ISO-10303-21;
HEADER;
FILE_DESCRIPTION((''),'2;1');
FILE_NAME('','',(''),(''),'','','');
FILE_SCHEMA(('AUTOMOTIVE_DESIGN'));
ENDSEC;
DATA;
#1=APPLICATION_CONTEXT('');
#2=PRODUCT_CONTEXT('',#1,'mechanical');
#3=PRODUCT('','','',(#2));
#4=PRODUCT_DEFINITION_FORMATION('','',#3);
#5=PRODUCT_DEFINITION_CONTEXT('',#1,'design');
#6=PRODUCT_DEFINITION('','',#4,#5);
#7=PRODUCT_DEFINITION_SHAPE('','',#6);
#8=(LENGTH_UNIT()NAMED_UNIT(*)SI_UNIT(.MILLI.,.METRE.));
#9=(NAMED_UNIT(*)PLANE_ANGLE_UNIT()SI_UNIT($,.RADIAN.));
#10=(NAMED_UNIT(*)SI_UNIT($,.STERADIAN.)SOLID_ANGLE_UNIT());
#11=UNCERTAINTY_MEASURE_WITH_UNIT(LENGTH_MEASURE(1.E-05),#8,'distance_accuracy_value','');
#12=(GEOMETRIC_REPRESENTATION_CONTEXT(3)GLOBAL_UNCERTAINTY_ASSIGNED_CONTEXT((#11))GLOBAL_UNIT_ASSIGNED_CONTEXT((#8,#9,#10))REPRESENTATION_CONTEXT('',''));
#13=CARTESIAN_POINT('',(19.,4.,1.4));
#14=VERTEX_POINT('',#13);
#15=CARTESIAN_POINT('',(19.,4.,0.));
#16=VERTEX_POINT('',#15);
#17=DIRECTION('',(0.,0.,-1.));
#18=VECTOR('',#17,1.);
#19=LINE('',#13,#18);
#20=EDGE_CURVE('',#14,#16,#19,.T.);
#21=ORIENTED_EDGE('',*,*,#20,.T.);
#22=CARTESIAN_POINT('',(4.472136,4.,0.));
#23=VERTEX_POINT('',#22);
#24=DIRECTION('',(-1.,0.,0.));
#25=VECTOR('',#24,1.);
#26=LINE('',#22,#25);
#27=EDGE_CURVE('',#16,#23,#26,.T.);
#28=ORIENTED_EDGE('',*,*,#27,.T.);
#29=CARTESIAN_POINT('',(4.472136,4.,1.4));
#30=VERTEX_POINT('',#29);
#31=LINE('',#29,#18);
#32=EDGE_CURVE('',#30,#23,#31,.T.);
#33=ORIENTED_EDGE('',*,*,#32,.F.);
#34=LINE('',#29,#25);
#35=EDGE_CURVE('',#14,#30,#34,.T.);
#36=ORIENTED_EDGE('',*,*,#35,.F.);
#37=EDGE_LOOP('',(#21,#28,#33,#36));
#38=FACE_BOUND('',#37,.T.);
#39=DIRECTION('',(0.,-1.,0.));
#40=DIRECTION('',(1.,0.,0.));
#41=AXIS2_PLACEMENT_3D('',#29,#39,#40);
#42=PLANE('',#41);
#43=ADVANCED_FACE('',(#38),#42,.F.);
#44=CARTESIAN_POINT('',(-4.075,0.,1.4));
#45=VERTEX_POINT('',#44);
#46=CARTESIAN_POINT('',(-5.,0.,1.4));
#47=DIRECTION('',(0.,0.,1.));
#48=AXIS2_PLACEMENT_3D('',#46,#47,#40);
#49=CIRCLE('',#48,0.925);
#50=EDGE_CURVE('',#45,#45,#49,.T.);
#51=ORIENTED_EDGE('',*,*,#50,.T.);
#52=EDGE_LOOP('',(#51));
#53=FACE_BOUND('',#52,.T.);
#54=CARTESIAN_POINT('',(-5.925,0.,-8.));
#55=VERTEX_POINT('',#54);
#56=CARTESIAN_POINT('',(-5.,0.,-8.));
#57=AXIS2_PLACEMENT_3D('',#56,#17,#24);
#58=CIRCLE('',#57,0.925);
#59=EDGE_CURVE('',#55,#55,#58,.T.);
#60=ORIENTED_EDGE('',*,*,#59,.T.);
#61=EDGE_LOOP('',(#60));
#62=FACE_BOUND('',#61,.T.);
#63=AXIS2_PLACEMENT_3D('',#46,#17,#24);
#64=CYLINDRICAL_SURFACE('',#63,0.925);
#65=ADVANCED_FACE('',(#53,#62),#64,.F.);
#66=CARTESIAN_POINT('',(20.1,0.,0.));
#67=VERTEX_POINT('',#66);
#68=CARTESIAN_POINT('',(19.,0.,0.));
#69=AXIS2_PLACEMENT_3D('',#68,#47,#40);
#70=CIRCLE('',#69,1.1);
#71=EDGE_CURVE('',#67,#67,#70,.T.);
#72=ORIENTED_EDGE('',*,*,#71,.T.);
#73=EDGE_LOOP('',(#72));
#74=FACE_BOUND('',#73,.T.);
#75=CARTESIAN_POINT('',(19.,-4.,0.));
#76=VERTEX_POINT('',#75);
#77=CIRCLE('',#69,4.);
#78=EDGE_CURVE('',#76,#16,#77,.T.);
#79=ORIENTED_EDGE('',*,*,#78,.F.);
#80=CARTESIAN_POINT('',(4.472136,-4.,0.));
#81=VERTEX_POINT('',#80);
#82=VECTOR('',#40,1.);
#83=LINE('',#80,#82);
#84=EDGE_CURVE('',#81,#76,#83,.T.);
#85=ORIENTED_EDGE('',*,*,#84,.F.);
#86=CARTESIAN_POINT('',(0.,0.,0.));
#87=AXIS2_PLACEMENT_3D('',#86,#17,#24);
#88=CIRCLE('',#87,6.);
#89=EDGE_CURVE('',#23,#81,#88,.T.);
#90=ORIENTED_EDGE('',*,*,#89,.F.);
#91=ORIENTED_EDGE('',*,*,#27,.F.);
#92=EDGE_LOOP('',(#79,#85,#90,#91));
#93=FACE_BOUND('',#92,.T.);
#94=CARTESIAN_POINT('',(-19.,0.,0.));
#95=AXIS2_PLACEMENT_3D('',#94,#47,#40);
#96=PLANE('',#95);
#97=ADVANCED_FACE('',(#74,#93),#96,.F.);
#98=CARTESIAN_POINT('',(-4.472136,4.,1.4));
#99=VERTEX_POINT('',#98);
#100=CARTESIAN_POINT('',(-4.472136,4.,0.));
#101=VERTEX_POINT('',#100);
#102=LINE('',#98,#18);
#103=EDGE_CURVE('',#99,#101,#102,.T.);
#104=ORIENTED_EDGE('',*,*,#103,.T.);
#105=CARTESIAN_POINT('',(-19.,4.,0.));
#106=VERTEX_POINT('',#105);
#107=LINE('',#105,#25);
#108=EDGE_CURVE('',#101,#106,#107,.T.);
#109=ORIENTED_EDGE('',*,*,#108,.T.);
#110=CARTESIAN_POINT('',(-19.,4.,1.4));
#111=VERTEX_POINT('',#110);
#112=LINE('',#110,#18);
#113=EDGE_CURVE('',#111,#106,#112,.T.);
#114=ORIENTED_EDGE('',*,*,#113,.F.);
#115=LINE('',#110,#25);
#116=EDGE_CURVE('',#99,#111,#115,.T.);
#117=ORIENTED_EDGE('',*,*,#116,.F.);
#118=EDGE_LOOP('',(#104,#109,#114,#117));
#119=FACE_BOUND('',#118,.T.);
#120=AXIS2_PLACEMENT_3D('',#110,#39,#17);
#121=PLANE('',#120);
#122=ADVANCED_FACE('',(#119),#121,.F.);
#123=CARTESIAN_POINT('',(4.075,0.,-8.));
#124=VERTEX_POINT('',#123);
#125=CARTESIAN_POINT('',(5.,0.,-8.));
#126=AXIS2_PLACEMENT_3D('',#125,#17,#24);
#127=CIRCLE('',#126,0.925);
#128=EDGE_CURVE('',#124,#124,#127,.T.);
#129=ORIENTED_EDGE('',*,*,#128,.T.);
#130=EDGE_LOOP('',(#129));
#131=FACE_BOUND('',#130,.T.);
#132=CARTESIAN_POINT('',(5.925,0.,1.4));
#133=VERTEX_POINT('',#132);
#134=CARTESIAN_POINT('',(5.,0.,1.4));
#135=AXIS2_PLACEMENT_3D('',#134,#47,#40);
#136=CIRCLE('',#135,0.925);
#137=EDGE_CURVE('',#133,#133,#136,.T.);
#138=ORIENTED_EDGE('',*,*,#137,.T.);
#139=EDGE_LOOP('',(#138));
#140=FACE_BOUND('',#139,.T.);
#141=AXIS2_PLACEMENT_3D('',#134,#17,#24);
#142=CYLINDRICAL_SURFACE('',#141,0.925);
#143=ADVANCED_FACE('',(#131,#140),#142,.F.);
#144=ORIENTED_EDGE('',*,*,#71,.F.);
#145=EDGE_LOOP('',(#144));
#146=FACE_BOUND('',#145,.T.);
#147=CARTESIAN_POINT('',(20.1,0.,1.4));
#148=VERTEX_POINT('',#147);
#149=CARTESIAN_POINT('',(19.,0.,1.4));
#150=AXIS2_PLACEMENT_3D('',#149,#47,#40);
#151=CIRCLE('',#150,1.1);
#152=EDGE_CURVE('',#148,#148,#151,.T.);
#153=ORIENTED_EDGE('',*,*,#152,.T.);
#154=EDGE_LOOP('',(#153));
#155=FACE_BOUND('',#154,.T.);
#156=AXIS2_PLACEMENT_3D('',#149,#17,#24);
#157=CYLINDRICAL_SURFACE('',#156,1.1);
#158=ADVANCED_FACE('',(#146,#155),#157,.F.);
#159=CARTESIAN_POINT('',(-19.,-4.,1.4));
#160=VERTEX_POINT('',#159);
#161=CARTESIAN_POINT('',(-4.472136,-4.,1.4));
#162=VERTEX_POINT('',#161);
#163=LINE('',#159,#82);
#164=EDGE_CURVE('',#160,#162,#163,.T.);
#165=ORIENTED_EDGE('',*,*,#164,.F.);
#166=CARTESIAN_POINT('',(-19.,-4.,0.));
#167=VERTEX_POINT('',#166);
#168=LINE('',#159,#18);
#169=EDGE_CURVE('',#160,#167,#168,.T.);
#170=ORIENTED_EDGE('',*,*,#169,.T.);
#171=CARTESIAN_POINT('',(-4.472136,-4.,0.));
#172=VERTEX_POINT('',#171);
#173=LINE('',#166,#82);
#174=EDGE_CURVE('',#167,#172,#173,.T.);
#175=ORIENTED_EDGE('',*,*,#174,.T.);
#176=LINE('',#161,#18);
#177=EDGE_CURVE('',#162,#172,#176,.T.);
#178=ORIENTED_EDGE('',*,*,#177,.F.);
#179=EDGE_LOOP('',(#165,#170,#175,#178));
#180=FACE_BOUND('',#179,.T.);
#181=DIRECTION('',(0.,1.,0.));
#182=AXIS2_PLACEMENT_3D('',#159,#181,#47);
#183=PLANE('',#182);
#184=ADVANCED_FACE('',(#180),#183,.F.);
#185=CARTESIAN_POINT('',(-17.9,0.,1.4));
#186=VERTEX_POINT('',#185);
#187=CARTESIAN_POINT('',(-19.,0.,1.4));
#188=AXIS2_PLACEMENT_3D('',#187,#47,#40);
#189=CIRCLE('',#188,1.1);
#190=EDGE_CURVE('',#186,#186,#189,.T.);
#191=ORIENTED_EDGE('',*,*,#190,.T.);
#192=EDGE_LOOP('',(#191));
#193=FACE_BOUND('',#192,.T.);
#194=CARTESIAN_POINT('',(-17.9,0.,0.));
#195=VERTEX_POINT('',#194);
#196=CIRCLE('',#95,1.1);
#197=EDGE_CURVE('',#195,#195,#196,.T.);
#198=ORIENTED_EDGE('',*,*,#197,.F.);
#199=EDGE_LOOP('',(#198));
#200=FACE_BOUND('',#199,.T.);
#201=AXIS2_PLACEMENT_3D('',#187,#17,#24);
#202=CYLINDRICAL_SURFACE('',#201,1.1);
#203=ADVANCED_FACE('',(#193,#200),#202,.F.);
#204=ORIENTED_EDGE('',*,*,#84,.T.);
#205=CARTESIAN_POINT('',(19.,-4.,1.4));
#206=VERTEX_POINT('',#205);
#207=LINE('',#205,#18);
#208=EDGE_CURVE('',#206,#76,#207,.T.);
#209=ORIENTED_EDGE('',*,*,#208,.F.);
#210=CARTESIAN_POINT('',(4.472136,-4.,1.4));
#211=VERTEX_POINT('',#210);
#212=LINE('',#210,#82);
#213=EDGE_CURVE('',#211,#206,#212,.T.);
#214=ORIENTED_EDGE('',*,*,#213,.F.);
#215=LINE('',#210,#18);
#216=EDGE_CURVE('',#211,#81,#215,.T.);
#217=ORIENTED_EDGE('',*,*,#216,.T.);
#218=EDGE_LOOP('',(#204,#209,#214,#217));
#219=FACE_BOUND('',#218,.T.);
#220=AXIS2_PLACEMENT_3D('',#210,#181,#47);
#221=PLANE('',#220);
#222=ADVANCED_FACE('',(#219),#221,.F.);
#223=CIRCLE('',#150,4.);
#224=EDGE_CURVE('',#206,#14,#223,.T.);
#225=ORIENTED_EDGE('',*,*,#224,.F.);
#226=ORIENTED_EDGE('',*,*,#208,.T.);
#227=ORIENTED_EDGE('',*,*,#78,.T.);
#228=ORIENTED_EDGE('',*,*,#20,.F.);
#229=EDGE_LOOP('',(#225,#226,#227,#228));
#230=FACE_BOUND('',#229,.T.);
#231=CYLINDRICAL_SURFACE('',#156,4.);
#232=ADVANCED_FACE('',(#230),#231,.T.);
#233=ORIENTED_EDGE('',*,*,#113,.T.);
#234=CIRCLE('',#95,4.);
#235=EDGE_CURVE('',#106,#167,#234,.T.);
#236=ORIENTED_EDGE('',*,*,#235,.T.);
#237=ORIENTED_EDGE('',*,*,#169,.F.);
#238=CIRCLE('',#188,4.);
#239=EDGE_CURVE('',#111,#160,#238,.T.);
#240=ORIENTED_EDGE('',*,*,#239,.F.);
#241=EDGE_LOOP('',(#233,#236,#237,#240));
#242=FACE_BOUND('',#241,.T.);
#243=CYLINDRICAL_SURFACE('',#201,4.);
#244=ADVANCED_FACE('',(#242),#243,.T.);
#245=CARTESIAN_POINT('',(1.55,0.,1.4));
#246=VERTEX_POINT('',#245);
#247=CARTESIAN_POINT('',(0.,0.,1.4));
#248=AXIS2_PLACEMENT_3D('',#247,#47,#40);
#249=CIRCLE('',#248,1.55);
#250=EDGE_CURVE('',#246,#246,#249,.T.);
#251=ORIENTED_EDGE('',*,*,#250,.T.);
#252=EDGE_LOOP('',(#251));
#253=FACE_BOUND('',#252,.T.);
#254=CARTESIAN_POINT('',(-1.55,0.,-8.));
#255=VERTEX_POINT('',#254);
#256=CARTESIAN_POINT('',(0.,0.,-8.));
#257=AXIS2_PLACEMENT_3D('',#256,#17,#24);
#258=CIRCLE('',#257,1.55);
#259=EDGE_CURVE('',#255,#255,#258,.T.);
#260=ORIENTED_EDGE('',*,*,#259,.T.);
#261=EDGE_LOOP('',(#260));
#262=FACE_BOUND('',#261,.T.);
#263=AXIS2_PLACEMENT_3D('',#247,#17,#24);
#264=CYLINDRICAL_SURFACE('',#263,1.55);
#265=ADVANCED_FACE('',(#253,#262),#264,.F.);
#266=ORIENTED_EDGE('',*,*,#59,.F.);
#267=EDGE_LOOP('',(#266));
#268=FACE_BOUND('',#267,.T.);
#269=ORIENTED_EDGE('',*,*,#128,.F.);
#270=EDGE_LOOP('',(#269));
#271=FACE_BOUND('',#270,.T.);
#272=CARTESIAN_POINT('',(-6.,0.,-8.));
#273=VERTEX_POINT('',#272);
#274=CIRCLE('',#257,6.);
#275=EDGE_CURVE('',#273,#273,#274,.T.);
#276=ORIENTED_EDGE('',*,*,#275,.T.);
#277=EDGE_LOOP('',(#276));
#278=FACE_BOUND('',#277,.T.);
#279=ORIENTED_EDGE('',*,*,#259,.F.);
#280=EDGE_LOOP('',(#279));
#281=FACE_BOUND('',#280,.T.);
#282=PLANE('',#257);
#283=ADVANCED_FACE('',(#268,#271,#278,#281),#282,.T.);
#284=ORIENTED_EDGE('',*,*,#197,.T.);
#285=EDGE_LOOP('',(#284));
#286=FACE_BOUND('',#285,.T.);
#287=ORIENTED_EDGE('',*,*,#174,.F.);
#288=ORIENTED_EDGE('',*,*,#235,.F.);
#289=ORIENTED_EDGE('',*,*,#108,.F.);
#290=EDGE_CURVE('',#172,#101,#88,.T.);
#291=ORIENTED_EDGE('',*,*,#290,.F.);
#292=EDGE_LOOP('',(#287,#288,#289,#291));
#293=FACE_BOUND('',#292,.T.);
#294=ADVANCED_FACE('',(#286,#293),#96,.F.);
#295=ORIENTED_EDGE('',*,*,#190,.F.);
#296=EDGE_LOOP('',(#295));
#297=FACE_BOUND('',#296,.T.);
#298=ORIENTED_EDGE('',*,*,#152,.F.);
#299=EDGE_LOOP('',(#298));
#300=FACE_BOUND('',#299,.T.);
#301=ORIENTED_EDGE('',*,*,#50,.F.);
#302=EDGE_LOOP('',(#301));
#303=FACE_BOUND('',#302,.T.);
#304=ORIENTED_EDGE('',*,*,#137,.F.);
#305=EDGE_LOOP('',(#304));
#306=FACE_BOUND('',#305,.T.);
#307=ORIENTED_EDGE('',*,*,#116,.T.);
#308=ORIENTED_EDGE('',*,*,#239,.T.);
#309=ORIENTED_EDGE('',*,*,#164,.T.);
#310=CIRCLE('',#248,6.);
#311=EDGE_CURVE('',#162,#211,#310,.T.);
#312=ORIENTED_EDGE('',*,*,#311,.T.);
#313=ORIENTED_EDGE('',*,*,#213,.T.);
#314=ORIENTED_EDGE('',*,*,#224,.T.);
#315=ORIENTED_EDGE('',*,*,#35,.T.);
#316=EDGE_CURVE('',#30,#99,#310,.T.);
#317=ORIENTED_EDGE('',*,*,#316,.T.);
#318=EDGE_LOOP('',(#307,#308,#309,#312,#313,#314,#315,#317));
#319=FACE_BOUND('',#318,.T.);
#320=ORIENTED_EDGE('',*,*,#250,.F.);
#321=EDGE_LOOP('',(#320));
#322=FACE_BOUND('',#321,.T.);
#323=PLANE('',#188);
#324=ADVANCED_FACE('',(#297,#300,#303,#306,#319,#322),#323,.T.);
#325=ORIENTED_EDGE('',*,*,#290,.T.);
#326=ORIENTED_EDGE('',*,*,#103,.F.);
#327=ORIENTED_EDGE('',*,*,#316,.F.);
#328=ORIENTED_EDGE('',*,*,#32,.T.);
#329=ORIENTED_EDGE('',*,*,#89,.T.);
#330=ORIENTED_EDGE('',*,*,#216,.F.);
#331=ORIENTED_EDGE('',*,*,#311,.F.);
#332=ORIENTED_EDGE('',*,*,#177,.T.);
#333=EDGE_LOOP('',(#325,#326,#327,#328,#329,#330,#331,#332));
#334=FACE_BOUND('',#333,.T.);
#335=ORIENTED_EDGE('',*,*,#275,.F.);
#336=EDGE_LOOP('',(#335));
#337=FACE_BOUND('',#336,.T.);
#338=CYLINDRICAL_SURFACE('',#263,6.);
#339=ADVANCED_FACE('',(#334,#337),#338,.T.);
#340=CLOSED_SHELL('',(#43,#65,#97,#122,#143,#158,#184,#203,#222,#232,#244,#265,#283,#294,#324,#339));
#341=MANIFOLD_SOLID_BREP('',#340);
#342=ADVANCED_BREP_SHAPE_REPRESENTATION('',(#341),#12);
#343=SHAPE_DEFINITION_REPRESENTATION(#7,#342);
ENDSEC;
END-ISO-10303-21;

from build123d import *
from build123d.topology import SkipClean

# Parameters (mm, degrees)
SKETCH_1_R      = 1.55
SKETCH_1_R_2    = 1.1
SKETCH_1_R_3    = 0.925
EXTRUDE_1_DEPTH = 1.4
EXTRUDE_START   = 8
SKETCH_2_R      = 6
SKETCH_2_R_2    = 1.55
SKETCH_2_R_3    = 0.925
EXTRUDE_2_DEPTH = 8


with BuildPart() as part:
    # 草图1 → 凸台-拉伸1 (new body)
    with BuildSketch(Plane.XY):
        with BuildLine():
            Line((4.472135955, 4), (19, 4))
            ThreePointArc((19, 4), (23, 0), (19, -4))
            Line((19, -4), (4.472135955, -4))
            ThreePointArc((4.472135955, -4), (0, -6), (-4.472135955, -4))
            Line((-4.472135955, -4), (-19, -4))
            ThreePointArc((-19, -4), (-23, 0), (-19, 4))
            Line((-19, 4), (-4.472135955, 4))
            ThreePointArc((-4.472135955, 4), (0, 6), (4.472135955, 4))
        make_face()
        Circle(SKETCH_1_R, mode=Mode.SUBTRACT)
        with Locations((19, 0)):
            Circle(SKETCH_1_R_2, mode=Mode.SUBTRACT)
        with Locations((-19, 0)):
            Circle(SKETCH_1_R_2, mode=Mode.SUBTRACT)
        with Locations((-5, 0)):
            Circle(SKETCH_1_R_3, mode=Mode.SUBTRACT)
        with Locations((5, 0)):
            Circle(SKETCH_1_R_3, mode=Mode.SUBTRACT)
    extrude(amount=EXTRUDE_1_DEPTH)

    # 草图2 → 凸台-拉伸2 (add)
    with SkipClean():  # the faces are left unmerged after this step: merging them gives an invalid solid
        with BuildSketch(Plane(origin=(0, 0, 0), x_dir=(-1, 0, 0), z_dir=(0, 0, -1)).offset(EXTRUDE_START)):
            Circle(SKETCH_2_R)
            Circle(SKETCH_2_R_2, mode=Mode.SUBTRACT)
            with Locations((-5, 0)):
                Circle(SKETCH_2_R_3, mode=Mode.SUBTRACT)
            with Locations((5, 0)):
                Circle(SKETCH_2_R_3, mode=Mode.SUBTRACT)
        extrude(amount=-EXTRUDE_2_DEPTH)


solid = part.part
